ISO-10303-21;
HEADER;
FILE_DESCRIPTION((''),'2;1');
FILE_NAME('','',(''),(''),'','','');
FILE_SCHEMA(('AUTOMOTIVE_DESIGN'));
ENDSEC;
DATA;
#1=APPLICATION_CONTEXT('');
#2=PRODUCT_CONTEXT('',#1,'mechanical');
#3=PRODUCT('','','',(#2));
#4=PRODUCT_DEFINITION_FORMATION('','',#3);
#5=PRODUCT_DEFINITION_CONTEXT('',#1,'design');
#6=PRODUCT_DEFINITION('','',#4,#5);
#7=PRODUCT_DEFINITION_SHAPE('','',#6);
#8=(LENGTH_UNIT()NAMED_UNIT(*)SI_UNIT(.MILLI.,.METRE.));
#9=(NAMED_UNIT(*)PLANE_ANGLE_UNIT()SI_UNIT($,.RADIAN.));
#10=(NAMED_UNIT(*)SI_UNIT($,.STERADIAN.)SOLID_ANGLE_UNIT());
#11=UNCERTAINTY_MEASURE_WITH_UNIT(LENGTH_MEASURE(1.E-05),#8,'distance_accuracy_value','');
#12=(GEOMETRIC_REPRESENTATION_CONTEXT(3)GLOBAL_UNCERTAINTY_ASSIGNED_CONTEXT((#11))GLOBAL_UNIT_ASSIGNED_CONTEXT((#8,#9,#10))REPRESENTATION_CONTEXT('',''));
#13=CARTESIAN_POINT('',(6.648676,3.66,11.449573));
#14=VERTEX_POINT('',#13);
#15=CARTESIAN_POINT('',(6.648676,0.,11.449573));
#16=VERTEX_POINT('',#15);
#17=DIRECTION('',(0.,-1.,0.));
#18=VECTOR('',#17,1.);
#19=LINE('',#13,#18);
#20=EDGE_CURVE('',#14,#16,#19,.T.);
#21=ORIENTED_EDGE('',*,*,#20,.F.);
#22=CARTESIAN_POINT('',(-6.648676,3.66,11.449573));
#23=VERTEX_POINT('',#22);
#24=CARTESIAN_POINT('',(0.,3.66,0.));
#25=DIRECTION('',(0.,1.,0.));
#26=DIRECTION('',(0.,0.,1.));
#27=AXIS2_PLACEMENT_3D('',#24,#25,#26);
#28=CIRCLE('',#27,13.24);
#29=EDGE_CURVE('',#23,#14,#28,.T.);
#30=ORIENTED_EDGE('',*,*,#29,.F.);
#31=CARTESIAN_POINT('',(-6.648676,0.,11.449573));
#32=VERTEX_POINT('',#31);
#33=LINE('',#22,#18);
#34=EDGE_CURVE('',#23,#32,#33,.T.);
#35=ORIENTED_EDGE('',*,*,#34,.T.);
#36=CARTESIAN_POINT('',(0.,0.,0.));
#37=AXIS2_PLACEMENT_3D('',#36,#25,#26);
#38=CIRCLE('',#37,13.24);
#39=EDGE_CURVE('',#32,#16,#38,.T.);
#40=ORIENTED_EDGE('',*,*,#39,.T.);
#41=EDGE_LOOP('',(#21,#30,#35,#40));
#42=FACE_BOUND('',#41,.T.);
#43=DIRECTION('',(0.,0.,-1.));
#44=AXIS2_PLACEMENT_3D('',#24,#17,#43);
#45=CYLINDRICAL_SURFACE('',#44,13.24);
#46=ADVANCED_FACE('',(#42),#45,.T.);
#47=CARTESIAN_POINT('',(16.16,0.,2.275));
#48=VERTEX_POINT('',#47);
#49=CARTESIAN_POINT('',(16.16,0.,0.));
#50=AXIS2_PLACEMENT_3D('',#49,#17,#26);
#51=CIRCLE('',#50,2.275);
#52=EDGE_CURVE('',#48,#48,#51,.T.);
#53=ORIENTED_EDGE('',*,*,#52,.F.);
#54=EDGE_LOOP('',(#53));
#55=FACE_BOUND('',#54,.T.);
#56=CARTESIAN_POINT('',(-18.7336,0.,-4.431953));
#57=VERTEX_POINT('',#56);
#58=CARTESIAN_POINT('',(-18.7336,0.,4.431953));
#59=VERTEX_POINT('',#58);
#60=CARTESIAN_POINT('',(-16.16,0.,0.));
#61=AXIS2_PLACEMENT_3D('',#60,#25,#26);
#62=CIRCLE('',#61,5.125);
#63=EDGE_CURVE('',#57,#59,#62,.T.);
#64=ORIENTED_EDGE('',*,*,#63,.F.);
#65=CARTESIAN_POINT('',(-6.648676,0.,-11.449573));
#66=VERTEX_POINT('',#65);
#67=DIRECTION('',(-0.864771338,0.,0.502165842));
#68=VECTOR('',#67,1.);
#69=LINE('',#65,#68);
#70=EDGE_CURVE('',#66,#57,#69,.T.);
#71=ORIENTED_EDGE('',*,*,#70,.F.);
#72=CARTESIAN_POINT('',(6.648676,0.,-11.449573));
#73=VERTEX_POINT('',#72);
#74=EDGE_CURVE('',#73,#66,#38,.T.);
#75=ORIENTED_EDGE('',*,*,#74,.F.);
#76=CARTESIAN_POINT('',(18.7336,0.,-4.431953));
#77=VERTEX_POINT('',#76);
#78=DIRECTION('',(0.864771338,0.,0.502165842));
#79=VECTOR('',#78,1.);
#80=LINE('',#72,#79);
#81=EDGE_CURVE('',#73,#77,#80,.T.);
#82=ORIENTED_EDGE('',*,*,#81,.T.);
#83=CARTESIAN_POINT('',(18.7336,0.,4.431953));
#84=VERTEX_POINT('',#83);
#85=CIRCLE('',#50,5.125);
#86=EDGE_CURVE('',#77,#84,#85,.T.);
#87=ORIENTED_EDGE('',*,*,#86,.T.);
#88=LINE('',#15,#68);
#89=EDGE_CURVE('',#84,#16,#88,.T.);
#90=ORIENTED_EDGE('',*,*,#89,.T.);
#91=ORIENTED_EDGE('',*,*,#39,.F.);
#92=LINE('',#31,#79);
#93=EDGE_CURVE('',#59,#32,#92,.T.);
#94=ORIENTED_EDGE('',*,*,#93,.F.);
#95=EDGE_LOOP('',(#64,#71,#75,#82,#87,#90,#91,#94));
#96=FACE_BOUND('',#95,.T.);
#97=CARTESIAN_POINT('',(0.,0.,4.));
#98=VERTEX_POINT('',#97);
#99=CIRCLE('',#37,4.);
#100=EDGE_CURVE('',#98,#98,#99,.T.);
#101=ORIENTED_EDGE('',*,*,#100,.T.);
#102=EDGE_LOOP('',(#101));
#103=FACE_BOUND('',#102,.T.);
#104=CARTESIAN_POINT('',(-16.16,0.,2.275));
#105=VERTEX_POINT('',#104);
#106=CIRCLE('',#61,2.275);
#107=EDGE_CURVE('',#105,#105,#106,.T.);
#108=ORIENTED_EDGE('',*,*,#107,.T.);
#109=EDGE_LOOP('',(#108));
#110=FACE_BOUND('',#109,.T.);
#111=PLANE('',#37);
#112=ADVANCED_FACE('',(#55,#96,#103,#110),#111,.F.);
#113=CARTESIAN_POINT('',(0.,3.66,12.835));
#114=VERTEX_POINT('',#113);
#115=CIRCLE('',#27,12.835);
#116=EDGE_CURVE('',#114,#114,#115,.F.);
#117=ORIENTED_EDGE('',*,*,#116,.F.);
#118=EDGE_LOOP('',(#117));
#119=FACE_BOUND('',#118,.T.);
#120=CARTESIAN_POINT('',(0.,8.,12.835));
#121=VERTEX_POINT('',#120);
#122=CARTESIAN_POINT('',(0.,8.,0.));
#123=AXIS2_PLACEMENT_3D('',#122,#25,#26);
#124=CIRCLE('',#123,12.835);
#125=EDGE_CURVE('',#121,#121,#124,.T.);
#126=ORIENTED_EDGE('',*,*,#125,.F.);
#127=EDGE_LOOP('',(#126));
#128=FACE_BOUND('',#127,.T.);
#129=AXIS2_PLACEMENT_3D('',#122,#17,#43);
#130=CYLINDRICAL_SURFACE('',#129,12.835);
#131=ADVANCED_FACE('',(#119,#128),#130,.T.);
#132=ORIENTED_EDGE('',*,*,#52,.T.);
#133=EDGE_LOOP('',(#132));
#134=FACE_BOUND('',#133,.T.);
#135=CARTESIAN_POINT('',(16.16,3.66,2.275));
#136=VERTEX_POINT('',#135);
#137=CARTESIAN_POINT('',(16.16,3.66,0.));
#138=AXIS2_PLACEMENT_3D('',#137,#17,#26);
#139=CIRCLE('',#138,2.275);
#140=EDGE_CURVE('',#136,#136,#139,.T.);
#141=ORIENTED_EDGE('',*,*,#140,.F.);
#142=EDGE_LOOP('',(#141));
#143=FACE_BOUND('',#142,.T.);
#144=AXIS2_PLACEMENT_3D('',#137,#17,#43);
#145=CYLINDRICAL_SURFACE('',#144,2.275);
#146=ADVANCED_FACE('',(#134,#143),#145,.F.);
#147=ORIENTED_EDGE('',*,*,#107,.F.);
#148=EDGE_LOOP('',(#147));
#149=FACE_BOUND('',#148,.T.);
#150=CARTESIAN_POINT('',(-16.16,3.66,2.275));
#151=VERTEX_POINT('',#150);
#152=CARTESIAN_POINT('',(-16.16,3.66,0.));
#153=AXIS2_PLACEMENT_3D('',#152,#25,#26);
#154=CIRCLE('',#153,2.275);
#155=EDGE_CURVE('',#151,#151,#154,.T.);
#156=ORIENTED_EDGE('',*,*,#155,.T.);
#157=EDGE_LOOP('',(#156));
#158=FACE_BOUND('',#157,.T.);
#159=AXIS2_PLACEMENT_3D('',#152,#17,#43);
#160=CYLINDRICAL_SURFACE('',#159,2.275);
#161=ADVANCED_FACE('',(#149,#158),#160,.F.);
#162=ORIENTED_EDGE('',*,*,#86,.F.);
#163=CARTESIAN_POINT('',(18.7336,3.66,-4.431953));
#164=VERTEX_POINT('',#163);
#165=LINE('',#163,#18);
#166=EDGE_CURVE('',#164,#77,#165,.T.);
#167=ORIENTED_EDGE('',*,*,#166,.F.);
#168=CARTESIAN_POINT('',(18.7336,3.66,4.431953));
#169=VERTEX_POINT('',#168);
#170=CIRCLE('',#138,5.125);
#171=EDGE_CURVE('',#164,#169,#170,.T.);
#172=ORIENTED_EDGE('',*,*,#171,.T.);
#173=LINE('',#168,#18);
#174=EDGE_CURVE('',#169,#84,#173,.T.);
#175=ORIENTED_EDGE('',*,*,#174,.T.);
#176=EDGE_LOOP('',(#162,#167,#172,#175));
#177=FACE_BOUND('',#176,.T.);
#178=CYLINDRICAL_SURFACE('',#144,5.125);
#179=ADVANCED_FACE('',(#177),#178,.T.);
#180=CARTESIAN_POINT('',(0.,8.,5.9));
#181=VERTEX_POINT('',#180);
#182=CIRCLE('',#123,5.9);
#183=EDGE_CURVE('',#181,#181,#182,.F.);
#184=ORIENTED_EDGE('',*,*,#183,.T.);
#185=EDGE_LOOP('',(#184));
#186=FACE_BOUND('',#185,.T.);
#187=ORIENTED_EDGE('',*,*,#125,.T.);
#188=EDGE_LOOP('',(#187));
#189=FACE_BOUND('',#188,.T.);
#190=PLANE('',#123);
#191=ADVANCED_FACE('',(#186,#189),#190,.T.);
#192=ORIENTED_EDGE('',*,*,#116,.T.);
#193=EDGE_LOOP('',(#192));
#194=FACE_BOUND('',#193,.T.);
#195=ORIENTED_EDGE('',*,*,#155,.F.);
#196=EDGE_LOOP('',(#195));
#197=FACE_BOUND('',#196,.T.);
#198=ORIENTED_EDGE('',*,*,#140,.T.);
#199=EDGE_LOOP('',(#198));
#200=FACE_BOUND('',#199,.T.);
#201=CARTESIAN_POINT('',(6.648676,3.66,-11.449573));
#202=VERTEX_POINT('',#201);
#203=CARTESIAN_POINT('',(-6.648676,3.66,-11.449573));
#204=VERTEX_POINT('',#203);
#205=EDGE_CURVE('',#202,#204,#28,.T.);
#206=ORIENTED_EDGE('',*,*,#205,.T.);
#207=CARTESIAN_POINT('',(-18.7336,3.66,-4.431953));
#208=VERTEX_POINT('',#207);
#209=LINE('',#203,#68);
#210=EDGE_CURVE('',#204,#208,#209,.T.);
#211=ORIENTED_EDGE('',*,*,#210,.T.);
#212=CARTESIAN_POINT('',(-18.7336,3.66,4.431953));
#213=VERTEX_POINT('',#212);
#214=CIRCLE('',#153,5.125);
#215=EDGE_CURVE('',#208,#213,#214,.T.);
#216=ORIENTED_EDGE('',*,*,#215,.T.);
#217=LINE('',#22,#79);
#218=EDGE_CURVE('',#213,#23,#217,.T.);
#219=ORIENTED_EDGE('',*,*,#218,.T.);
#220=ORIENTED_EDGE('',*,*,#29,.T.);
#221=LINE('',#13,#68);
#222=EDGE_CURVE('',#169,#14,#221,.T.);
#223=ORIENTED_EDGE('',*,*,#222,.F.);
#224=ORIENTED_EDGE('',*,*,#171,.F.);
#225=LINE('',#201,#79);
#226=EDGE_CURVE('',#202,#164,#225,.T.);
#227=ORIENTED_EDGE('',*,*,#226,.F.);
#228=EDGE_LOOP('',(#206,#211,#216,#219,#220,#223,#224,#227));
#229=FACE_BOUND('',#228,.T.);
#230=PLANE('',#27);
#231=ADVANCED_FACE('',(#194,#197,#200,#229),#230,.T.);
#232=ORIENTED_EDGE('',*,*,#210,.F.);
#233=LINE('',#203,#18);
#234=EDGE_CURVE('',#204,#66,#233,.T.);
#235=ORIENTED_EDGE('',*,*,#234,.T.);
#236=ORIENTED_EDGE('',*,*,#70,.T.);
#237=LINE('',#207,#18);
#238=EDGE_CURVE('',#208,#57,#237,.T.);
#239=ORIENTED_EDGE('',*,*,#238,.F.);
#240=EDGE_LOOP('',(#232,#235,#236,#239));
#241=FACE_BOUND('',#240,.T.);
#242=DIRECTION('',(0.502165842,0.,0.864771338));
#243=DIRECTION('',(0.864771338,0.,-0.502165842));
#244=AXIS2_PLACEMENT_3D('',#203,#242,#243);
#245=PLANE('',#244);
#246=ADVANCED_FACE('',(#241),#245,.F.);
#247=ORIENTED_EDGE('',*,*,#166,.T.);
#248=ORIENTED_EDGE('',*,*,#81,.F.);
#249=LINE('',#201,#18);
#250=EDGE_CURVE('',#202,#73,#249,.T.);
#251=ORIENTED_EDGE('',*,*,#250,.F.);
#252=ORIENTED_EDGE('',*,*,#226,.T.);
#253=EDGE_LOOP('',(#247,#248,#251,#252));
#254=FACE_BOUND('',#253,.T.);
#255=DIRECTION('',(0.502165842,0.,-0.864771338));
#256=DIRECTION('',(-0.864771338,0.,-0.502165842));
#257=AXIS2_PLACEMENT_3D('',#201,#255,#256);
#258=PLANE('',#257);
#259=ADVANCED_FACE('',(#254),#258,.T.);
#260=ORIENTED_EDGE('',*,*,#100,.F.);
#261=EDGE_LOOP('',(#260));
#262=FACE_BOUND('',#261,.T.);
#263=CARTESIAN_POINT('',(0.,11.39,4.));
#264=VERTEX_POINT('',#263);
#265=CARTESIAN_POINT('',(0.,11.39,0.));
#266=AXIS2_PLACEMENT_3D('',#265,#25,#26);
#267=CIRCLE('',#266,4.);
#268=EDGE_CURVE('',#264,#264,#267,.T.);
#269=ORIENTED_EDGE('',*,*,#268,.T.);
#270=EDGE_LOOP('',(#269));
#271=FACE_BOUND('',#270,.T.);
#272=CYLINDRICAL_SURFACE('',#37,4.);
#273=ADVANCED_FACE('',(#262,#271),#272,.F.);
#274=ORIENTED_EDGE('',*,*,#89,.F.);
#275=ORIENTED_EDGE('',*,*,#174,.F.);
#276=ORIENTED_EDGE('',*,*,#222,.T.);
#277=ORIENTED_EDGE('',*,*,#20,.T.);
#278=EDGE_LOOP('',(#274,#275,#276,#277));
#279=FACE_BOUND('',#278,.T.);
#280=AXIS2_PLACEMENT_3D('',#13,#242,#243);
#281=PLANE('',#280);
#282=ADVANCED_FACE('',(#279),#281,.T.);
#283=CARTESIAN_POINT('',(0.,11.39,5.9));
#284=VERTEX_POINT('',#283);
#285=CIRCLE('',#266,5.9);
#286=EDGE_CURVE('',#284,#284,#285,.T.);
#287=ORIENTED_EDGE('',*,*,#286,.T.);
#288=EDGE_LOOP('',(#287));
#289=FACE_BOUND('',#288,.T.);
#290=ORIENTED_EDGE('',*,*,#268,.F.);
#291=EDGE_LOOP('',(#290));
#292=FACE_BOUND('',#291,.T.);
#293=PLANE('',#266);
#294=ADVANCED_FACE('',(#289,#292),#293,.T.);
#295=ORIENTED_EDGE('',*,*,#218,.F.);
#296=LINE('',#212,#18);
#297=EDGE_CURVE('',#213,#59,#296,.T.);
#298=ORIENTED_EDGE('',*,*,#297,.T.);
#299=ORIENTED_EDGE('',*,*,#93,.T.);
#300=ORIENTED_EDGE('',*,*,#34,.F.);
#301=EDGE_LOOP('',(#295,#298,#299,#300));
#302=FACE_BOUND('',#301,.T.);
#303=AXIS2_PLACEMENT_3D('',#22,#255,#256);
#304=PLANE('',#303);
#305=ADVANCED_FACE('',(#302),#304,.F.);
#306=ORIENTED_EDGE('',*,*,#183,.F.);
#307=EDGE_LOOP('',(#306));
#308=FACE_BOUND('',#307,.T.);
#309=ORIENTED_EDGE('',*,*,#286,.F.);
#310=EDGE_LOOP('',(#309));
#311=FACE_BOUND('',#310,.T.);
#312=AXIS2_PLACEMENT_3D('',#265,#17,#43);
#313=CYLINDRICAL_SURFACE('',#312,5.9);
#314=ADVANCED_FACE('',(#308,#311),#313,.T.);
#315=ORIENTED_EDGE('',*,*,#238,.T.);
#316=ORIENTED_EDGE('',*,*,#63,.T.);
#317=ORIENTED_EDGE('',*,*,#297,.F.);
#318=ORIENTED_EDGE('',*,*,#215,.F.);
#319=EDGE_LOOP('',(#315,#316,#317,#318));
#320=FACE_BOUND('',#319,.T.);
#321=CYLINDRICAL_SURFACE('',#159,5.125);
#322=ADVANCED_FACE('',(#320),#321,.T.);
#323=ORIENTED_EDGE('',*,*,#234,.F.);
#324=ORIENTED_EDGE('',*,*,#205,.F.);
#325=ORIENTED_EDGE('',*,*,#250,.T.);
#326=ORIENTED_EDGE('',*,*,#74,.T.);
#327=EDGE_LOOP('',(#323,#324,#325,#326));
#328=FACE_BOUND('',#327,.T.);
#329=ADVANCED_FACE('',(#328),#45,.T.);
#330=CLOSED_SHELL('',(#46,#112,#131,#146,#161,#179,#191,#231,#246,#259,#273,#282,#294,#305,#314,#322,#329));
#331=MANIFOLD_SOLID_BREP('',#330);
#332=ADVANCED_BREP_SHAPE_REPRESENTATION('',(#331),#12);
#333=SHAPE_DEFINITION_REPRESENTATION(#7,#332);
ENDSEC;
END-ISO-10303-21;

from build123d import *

# Parameters (mm, degrees)
SKETCH1_R           = 2.275
BOSS_EXTRUDE4_DEPTH = 3.66
SKETCH8_R           = 12.835
BOSS_EXTRUDE5_DEPTH = 8
SKETCH9_R           = 5.9
BOSS_EXTRUDE6_DEPTH = 11.39
SKETCH10_R          = 4
CUT_EXTRUDE3_DEPTH  = 28.533269421


with BuildPart() as part:
    # Sketch1 → Boss-Extrude4 (new body)
    with BuildSketch(Plane(origin=(0, 0, 0), x_dir=(1, 0, 0), z_dir=(0, 1, 0))):
        with BuildLine():
            Line((-6.648675743, 11.449572519), (-18.733599938, 4.431953109))
            ThreePointArc((-18.733599938, 4.431953109), (-21.285, 0), (-18.733599938, -4.431953109))
            Line((-18.733599938, -4.431953109), (-6.648675743, -11.449572519))
            ThreePointArc((-6.648675743, -11.449572519), (-3.442764866, -12.784559831), (0, -13.24))
            Line((0, -13.24), (0, 13.24))
            ThreePointArc((0, 13.24), (-3.442764866, 12.784559831), (-6.648675743, 11.449572519))
        make_face()
        with Locations(Location((-16.16, 0, 0), (0, 0, 270))):
            Circle(SKETCH1_R, mode=Mode.SUBTRACT)
    boss_extrude4 = extrude(amount=BOSS_EXTRUDE4_DEPTH)

    # Mirror2: Boss-Extrude4 across plane
    add(boss_extrude4.mirror(Plane(origin=(0, 0, 0), x_dir=(0, 0, 1), z_dir=(1, 0, 0))))

    # Sketch8 → Boss-Extrude5 (add)
    with BuildSketch(Plane(origin=(0, 0, 0), x_dir=(1, 0, 0), z_dir=(0, 1, 0))):
        with Locations(Location((0, 0, 0), (0, 0, 270))):
            Circle(SKETCH8_R)
    extrude(amount=BOSS_EXTRUDE5_DEPTH)

    # Sketch9 → Boss-Extrude6 (add)
    with BuildSketch(Plane(origin=(0, 0, 0), x_dir=(1, 0, 0), z_dir=(0, 1, 0))):
        with Locations(Location((0, 0, 0), (0, 0, 270))):
            Circle(SKETCH9_R)
    extrude(amount=BOSS_EXTRUDE6_DEPTH)

    # Sketch10 → Cut-Extrude3 (cut, through all)
    with BuildSketch(Plane(origin=(0, 11.39, 0), x_dir=(1, 0, 0), z_dir=(0, 1, 0))):
        with Locations(Location((0, 0, 0), (0, 0, 270))):
            Circle(SKETCH10_R)
    extrude(amount=-CUT_EXTRUDE3_DEPTH, mode=Mode.SUBTRACT)


solid = part.part
